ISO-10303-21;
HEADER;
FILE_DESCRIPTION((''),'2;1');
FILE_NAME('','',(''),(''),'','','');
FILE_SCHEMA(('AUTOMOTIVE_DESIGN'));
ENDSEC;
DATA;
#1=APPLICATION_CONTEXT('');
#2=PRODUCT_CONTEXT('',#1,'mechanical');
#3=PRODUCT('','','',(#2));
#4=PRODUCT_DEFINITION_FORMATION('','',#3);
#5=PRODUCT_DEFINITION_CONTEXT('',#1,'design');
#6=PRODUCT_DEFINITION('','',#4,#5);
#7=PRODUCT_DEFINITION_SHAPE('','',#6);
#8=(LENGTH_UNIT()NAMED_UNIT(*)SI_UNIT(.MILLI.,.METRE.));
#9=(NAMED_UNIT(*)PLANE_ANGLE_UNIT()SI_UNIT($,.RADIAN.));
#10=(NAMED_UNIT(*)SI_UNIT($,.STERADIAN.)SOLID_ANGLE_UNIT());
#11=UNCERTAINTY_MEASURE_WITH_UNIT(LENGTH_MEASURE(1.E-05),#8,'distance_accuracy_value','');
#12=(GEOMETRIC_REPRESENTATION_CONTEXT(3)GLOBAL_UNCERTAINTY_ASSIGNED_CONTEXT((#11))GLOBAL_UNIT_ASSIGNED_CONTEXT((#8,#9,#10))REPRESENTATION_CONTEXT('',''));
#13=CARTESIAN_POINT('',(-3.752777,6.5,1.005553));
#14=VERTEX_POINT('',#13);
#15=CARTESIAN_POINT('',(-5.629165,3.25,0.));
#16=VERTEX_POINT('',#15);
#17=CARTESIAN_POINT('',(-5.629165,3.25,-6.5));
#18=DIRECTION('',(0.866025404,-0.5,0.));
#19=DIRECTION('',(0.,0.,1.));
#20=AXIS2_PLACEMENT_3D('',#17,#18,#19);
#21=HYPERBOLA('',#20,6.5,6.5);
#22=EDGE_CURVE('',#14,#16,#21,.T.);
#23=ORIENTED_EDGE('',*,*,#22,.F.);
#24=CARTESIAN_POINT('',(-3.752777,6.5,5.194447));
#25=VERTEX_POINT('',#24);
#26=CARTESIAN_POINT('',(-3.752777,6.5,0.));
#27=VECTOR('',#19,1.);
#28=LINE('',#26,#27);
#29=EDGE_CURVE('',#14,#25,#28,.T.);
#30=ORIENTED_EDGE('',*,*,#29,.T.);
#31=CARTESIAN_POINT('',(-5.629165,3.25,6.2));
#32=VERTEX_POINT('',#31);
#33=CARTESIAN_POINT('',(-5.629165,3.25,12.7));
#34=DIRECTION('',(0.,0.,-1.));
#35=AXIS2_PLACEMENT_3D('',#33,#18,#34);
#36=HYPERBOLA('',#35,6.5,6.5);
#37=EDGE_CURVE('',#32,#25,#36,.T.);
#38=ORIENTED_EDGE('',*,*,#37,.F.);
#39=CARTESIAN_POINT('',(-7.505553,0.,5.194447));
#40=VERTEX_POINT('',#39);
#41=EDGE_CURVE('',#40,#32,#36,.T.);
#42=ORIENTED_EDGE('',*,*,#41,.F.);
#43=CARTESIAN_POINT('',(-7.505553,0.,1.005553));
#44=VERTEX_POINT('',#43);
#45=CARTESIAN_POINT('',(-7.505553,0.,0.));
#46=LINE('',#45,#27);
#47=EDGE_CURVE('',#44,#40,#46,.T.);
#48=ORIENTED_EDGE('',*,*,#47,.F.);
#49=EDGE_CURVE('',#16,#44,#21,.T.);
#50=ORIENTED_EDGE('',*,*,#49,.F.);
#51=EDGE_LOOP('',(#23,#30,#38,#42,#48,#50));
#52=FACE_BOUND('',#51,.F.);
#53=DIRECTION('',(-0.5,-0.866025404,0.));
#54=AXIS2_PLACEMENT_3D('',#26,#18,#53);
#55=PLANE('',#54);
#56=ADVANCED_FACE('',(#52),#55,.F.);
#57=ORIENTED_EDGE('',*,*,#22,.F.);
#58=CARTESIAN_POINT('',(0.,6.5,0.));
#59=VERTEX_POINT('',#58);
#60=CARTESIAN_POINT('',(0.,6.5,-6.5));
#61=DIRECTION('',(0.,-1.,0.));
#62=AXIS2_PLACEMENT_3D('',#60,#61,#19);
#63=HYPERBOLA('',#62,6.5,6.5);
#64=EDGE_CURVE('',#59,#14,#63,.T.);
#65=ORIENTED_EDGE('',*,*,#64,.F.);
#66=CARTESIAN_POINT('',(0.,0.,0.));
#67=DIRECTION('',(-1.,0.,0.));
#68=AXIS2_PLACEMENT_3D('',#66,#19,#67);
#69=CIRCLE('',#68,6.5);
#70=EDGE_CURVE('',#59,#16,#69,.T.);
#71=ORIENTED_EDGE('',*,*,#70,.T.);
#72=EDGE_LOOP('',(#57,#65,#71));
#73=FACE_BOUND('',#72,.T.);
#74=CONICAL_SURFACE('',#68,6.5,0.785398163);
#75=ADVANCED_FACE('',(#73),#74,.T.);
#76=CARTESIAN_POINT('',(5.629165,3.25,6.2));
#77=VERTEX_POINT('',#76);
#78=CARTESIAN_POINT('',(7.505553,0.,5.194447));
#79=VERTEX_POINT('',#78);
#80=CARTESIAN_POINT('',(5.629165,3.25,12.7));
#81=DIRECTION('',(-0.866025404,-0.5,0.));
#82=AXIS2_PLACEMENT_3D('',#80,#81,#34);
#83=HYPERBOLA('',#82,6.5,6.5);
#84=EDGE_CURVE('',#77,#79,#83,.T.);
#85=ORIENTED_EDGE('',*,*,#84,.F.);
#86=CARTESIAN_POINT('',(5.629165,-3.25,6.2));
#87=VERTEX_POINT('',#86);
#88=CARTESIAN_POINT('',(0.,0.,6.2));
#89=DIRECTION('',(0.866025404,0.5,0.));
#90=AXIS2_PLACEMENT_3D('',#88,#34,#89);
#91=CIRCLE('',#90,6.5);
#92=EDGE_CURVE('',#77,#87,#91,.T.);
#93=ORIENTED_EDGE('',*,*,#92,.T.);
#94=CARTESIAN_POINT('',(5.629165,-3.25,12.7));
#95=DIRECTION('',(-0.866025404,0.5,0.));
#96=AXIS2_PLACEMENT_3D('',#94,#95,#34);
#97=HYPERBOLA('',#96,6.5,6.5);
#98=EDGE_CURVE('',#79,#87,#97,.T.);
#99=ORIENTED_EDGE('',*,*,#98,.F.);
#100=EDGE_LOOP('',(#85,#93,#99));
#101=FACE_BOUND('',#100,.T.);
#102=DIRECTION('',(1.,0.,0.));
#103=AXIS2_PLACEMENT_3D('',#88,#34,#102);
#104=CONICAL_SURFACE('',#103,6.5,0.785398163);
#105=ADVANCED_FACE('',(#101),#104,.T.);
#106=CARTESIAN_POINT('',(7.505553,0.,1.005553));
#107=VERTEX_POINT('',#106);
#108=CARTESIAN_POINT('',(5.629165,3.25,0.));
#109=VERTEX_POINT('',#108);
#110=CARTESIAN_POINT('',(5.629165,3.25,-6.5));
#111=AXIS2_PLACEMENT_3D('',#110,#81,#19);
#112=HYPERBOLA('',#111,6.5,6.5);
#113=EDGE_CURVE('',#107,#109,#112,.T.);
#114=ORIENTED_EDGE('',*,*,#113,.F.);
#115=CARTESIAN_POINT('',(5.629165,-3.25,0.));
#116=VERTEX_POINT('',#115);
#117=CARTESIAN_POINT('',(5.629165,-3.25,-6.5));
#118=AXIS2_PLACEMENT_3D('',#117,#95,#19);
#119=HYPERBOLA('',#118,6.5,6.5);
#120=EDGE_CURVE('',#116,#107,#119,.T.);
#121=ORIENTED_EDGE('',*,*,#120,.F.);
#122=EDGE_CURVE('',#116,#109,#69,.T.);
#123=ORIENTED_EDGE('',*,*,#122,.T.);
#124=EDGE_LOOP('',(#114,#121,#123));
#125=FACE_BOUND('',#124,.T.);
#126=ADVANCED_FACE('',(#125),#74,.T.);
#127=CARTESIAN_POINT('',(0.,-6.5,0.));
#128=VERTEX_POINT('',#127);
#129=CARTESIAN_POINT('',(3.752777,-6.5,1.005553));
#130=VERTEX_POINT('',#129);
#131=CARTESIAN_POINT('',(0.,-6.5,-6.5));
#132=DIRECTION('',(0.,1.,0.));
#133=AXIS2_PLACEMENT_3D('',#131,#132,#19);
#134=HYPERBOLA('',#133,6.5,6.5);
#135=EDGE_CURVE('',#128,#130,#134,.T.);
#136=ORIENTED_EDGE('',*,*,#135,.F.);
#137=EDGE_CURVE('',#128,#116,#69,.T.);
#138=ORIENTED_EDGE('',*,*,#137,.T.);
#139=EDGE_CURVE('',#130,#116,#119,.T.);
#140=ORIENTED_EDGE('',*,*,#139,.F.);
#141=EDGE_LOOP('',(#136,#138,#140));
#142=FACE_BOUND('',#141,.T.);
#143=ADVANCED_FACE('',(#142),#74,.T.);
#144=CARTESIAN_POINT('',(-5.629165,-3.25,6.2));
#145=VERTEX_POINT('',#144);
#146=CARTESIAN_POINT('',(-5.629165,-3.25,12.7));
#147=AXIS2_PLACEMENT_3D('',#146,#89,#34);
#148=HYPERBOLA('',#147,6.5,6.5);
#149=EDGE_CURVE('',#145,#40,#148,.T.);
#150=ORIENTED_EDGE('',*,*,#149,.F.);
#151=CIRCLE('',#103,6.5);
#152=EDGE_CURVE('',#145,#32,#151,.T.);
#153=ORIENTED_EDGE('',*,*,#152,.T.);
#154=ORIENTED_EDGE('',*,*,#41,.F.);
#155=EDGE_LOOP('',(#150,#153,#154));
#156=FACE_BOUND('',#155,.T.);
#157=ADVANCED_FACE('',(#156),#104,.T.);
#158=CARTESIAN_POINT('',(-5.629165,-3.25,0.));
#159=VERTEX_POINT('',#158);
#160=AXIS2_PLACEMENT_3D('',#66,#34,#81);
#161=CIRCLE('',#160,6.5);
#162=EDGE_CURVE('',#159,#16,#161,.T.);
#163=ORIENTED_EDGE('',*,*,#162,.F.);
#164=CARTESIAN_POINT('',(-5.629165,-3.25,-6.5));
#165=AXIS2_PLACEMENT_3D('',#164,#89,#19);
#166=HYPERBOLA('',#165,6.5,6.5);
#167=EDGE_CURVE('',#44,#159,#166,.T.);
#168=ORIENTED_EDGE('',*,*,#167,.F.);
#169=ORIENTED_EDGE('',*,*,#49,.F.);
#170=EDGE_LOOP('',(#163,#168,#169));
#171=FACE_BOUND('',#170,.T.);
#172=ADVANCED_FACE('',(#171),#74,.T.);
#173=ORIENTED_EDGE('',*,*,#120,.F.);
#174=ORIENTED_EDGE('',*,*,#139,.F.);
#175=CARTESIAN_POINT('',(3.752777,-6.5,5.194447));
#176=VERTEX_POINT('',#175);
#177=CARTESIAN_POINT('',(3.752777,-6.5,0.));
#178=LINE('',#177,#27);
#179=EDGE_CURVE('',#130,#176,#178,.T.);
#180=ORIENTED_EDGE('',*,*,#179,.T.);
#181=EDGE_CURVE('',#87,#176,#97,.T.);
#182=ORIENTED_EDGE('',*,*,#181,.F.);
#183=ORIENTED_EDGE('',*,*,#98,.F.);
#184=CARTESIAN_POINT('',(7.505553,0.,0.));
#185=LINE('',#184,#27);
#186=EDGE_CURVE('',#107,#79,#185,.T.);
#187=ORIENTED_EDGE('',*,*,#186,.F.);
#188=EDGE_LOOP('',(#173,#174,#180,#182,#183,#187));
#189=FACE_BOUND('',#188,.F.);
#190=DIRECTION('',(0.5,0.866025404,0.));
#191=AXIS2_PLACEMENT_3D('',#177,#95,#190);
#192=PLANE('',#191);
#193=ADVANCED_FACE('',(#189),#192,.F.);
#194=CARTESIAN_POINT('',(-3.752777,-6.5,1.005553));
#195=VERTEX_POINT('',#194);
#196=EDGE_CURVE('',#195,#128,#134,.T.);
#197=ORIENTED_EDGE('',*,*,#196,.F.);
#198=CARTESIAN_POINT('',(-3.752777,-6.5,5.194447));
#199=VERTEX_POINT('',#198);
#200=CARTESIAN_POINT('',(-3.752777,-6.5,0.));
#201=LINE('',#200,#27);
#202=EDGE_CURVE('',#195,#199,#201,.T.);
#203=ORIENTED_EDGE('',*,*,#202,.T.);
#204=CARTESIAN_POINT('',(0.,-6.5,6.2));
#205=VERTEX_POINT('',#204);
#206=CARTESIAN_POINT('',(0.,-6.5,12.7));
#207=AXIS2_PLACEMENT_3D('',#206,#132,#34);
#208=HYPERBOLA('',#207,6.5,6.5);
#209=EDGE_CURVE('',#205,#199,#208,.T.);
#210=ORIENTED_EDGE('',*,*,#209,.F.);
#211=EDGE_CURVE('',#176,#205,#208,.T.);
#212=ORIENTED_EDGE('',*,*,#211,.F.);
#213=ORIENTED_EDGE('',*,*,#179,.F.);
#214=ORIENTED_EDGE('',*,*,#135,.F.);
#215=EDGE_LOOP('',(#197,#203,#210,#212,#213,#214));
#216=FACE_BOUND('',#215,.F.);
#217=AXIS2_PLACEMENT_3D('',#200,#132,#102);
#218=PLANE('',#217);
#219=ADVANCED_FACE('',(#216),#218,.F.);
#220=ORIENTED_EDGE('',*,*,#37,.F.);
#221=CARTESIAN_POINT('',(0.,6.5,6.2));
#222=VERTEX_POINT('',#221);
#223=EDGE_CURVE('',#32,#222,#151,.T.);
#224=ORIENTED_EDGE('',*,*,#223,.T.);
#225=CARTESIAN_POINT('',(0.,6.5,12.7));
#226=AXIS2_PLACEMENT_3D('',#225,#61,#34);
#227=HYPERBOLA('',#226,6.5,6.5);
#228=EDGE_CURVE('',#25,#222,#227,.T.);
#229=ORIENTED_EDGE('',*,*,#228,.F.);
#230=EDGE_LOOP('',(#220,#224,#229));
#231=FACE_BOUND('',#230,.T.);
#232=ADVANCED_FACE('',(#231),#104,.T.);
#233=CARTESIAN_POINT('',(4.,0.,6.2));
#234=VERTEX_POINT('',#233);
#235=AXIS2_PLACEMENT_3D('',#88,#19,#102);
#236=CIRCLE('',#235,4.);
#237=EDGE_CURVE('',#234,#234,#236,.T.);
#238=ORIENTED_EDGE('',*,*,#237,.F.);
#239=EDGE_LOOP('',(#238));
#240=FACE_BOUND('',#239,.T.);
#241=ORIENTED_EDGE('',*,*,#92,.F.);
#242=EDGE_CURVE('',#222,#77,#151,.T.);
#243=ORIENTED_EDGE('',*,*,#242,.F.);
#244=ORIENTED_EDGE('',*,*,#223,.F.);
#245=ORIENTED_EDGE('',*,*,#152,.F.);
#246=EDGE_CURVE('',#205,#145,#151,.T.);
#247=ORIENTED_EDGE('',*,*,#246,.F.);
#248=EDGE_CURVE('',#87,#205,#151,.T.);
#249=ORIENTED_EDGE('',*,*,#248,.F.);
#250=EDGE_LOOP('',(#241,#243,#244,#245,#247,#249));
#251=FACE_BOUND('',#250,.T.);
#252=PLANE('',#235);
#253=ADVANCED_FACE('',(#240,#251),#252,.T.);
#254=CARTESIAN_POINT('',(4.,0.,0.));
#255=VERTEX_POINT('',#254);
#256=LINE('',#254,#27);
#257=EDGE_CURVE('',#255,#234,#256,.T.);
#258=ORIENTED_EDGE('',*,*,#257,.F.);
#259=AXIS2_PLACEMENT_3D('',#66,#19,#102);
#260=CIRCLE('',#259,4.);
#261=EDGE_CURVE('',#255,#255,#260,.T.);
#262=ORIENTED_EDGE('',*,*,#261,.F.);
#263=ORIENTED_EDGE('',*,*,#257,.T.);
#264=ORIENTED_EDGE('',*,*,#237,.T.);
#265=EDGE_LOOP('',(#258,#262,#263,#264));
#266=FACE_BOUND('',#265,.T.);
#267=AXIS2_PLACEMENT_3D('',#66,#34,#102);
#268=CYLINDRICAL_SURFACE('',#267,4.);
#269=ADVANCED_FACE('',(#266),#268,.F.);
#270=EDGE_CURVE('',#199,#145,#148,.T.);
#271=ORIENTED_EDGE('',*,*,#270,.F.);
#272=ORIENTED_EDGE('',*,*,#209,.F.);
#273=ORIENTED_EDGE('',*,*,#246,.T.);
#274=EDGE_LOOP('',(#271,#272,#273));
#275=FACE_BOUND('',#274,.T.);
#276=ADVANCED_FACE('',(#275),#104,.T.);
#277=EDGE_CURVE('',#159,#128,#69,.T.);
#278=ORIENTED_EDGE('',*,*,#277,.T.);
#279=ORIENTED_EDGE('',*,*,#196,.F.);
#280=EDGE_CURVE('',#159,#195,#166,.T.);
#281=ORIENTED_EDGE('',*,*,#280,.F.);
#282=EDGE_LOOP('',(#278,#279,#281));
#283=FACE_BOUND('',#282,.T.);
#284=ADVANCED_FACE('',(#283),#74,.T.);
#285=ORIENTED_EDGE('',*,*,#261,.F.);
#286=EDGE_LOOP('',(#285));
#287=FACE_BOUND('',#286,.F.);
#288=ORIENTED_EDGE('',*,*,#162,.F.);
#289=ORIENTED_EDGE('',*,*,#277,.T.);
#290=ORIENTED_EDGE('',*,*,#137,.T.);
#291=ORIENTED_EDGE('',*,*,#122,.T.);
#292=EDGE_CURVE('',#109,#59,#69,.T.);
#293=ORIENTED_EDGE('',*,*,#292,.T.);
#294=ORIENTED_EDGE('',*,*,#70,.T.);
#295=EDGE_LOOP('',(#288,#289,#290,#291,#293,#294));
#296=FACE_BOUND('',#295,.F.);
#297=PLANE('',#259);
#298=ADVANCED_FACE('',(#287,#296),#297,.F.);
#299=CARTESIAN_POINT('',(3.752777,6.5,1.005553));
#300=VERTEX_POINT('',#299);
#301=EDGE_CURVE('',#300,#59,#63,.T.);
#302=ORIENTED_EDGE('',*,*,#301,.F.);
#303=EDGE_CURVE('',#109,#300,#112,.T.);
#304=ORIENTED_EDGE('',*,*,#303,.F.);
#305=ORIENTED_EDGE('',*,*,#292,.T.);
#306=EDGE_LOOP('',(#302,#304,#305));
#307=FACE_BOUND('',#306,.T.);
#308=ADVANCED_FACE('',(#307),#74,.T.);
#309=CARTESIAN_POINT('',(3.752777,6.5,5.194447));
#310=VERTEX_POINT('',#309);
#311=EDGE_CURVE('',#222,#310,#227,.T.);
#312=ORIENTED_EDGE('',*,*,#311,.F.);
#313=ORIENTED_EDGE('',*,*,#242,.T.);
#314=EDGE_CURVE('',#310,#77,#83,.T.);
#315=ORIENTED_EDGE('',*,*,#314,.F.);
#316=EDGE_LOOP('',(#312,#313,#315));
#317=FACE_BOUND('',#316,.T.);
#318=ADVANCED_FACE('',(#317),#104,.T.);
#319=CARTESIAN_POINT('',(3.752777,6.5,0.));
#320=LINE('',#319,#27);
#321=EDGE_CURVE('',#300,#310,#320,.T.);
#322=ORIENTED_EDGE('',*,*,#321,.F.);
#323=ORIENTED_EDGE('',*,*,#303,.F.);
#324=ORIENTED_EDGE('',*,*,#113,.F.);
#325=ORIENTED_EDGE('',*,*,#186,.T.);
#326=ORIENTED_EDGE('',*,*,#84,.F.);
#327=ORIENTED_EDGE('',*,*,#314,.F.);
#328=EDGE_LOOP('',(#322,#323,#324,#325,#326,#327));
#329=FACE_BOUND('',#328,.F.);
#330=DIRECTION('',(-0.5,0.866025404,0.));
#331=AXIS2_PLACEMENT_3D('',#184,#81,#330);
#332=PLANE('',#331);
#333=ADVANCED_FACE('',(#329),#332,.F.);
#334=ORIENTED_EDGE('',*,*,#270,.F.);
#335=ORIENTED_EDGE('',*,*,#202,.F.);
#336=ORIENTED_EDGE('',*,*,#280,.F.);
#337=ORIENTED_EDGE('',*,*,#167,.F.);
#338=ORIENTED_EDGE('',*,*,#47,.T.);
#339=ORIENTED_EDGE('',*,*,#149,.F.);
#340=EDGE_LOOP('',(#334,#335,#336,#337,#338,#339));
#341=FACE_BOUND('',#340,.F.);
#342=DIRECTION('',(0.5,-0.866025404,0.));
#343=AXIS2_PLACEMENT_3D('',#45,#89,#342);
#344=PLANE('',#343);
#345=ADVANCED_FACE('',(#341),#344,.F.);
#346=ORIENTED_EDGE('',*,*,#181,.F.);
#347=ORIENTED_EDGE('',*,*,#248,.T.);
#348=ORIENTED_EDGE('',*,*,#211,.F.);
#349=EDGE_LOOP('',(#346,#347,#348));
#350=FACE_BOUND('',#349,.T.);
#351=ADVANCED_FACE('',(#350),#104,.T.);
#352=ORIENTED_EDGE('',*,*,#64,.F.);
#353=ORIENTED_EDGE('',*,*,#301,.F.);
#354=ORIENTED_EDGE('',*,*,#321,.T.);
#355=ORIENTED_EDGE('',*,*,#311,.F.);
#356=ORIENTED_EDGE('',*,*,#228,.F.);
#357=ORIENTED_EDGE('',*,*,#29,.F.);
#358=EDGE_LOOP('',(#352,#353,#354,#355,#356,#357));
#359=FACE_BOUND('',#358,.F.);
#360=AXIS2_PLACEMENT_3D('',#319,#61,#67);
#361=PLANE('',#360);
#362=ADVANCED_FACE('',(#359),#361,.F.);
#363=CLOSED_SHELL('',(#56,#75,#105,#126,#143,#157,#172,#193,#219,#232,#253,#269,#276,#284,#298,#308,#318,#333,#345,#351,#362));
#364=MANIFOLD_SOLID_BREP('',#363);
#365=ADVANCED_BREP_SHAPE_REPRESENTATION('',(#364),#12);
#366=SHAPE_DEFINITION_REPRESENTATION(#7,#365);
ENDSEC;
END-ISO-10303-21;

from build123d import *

# Parameters (mm, degrees)
ESBO_O1_R                = 4
RESSALTO_EXTRUS_O1_DEPTH = 6.2
ESBO_O2_OUTSIDE_W        = 33.572
ESBO_O2_OUTSIDE_H        = 31.56
ESBO_O2_OUTSIDE_R        = 6.5
CORTE_EXTRUS_O1_DEPTH    = 6.2
CORTE_EXTRUS_O1_TAPER    = 45
ESBO_O3_OUTSIDE_W        = 33.572
ESBO_O3_OUTSIDE_H        = 31.56
ESBO_O3_OUTSIDE_R        = 6.5
CORTE_EXTRUS_O2_DEPTH    = 6.2
CORTE_EXTRUS_O2_TAPER    = 45


with BuildPart() as part:
    # Esboço1 → Ressalto-extrusão1 (new body)
    with BuildSketch(Plane.XY):
        Polygon((3.75277675, -6.5), (7.505553499, 0), (3.75277675, 6.5), (-3.75277675, 6.5), (-7.505553499, 0), (-3.75277675, -6.5), align=None)
        Circle(ESBO_O1_R, mode=Mode.SUBTRACT)
    extrude(amount=RESSALTO_EXTRUS_O1_DEPTH)

    # Esboço2 outside → Corte-extrusão1 (cut)
    with BuildSketch(Plane.XY.offset(6.2)):
        Rectangle(ESBO_O2_OUTSIDE_W, ESBO_O2_OUTSIDE_H)
        Circle(ESBO_O2_OUTSIDE_R, mode=Mode.SUBTRACT)
    extrude(amount=-CORTE_EXTRUS_O1_DEPTH, taper=CORTE_EXTRUS_O1_TAPER, mode=Mode.SUBTRACT)

    # Esboço3 outside → Corte-extrusão2 (cut)
    with BuildSketch(Plane(origin=(0, 0, 0), x_dir=(-1, 0, 0), z_dir=(0, 0, -1))):
        Rectangle(ESBO_O3_OUTSIDE_W, ESBO_O3_OUTSIDE_H)
        Circle(ESBO_O3_OUTSIDE_R, mode=Mode.SUBTRACT)
    extrude(amount=-CORTE_EXTRUS_O2_DEPTH, taper=CORTE_EXTRUS_O2_TAPER, mode=Mode.SUBTRACT)


solid = part.part
